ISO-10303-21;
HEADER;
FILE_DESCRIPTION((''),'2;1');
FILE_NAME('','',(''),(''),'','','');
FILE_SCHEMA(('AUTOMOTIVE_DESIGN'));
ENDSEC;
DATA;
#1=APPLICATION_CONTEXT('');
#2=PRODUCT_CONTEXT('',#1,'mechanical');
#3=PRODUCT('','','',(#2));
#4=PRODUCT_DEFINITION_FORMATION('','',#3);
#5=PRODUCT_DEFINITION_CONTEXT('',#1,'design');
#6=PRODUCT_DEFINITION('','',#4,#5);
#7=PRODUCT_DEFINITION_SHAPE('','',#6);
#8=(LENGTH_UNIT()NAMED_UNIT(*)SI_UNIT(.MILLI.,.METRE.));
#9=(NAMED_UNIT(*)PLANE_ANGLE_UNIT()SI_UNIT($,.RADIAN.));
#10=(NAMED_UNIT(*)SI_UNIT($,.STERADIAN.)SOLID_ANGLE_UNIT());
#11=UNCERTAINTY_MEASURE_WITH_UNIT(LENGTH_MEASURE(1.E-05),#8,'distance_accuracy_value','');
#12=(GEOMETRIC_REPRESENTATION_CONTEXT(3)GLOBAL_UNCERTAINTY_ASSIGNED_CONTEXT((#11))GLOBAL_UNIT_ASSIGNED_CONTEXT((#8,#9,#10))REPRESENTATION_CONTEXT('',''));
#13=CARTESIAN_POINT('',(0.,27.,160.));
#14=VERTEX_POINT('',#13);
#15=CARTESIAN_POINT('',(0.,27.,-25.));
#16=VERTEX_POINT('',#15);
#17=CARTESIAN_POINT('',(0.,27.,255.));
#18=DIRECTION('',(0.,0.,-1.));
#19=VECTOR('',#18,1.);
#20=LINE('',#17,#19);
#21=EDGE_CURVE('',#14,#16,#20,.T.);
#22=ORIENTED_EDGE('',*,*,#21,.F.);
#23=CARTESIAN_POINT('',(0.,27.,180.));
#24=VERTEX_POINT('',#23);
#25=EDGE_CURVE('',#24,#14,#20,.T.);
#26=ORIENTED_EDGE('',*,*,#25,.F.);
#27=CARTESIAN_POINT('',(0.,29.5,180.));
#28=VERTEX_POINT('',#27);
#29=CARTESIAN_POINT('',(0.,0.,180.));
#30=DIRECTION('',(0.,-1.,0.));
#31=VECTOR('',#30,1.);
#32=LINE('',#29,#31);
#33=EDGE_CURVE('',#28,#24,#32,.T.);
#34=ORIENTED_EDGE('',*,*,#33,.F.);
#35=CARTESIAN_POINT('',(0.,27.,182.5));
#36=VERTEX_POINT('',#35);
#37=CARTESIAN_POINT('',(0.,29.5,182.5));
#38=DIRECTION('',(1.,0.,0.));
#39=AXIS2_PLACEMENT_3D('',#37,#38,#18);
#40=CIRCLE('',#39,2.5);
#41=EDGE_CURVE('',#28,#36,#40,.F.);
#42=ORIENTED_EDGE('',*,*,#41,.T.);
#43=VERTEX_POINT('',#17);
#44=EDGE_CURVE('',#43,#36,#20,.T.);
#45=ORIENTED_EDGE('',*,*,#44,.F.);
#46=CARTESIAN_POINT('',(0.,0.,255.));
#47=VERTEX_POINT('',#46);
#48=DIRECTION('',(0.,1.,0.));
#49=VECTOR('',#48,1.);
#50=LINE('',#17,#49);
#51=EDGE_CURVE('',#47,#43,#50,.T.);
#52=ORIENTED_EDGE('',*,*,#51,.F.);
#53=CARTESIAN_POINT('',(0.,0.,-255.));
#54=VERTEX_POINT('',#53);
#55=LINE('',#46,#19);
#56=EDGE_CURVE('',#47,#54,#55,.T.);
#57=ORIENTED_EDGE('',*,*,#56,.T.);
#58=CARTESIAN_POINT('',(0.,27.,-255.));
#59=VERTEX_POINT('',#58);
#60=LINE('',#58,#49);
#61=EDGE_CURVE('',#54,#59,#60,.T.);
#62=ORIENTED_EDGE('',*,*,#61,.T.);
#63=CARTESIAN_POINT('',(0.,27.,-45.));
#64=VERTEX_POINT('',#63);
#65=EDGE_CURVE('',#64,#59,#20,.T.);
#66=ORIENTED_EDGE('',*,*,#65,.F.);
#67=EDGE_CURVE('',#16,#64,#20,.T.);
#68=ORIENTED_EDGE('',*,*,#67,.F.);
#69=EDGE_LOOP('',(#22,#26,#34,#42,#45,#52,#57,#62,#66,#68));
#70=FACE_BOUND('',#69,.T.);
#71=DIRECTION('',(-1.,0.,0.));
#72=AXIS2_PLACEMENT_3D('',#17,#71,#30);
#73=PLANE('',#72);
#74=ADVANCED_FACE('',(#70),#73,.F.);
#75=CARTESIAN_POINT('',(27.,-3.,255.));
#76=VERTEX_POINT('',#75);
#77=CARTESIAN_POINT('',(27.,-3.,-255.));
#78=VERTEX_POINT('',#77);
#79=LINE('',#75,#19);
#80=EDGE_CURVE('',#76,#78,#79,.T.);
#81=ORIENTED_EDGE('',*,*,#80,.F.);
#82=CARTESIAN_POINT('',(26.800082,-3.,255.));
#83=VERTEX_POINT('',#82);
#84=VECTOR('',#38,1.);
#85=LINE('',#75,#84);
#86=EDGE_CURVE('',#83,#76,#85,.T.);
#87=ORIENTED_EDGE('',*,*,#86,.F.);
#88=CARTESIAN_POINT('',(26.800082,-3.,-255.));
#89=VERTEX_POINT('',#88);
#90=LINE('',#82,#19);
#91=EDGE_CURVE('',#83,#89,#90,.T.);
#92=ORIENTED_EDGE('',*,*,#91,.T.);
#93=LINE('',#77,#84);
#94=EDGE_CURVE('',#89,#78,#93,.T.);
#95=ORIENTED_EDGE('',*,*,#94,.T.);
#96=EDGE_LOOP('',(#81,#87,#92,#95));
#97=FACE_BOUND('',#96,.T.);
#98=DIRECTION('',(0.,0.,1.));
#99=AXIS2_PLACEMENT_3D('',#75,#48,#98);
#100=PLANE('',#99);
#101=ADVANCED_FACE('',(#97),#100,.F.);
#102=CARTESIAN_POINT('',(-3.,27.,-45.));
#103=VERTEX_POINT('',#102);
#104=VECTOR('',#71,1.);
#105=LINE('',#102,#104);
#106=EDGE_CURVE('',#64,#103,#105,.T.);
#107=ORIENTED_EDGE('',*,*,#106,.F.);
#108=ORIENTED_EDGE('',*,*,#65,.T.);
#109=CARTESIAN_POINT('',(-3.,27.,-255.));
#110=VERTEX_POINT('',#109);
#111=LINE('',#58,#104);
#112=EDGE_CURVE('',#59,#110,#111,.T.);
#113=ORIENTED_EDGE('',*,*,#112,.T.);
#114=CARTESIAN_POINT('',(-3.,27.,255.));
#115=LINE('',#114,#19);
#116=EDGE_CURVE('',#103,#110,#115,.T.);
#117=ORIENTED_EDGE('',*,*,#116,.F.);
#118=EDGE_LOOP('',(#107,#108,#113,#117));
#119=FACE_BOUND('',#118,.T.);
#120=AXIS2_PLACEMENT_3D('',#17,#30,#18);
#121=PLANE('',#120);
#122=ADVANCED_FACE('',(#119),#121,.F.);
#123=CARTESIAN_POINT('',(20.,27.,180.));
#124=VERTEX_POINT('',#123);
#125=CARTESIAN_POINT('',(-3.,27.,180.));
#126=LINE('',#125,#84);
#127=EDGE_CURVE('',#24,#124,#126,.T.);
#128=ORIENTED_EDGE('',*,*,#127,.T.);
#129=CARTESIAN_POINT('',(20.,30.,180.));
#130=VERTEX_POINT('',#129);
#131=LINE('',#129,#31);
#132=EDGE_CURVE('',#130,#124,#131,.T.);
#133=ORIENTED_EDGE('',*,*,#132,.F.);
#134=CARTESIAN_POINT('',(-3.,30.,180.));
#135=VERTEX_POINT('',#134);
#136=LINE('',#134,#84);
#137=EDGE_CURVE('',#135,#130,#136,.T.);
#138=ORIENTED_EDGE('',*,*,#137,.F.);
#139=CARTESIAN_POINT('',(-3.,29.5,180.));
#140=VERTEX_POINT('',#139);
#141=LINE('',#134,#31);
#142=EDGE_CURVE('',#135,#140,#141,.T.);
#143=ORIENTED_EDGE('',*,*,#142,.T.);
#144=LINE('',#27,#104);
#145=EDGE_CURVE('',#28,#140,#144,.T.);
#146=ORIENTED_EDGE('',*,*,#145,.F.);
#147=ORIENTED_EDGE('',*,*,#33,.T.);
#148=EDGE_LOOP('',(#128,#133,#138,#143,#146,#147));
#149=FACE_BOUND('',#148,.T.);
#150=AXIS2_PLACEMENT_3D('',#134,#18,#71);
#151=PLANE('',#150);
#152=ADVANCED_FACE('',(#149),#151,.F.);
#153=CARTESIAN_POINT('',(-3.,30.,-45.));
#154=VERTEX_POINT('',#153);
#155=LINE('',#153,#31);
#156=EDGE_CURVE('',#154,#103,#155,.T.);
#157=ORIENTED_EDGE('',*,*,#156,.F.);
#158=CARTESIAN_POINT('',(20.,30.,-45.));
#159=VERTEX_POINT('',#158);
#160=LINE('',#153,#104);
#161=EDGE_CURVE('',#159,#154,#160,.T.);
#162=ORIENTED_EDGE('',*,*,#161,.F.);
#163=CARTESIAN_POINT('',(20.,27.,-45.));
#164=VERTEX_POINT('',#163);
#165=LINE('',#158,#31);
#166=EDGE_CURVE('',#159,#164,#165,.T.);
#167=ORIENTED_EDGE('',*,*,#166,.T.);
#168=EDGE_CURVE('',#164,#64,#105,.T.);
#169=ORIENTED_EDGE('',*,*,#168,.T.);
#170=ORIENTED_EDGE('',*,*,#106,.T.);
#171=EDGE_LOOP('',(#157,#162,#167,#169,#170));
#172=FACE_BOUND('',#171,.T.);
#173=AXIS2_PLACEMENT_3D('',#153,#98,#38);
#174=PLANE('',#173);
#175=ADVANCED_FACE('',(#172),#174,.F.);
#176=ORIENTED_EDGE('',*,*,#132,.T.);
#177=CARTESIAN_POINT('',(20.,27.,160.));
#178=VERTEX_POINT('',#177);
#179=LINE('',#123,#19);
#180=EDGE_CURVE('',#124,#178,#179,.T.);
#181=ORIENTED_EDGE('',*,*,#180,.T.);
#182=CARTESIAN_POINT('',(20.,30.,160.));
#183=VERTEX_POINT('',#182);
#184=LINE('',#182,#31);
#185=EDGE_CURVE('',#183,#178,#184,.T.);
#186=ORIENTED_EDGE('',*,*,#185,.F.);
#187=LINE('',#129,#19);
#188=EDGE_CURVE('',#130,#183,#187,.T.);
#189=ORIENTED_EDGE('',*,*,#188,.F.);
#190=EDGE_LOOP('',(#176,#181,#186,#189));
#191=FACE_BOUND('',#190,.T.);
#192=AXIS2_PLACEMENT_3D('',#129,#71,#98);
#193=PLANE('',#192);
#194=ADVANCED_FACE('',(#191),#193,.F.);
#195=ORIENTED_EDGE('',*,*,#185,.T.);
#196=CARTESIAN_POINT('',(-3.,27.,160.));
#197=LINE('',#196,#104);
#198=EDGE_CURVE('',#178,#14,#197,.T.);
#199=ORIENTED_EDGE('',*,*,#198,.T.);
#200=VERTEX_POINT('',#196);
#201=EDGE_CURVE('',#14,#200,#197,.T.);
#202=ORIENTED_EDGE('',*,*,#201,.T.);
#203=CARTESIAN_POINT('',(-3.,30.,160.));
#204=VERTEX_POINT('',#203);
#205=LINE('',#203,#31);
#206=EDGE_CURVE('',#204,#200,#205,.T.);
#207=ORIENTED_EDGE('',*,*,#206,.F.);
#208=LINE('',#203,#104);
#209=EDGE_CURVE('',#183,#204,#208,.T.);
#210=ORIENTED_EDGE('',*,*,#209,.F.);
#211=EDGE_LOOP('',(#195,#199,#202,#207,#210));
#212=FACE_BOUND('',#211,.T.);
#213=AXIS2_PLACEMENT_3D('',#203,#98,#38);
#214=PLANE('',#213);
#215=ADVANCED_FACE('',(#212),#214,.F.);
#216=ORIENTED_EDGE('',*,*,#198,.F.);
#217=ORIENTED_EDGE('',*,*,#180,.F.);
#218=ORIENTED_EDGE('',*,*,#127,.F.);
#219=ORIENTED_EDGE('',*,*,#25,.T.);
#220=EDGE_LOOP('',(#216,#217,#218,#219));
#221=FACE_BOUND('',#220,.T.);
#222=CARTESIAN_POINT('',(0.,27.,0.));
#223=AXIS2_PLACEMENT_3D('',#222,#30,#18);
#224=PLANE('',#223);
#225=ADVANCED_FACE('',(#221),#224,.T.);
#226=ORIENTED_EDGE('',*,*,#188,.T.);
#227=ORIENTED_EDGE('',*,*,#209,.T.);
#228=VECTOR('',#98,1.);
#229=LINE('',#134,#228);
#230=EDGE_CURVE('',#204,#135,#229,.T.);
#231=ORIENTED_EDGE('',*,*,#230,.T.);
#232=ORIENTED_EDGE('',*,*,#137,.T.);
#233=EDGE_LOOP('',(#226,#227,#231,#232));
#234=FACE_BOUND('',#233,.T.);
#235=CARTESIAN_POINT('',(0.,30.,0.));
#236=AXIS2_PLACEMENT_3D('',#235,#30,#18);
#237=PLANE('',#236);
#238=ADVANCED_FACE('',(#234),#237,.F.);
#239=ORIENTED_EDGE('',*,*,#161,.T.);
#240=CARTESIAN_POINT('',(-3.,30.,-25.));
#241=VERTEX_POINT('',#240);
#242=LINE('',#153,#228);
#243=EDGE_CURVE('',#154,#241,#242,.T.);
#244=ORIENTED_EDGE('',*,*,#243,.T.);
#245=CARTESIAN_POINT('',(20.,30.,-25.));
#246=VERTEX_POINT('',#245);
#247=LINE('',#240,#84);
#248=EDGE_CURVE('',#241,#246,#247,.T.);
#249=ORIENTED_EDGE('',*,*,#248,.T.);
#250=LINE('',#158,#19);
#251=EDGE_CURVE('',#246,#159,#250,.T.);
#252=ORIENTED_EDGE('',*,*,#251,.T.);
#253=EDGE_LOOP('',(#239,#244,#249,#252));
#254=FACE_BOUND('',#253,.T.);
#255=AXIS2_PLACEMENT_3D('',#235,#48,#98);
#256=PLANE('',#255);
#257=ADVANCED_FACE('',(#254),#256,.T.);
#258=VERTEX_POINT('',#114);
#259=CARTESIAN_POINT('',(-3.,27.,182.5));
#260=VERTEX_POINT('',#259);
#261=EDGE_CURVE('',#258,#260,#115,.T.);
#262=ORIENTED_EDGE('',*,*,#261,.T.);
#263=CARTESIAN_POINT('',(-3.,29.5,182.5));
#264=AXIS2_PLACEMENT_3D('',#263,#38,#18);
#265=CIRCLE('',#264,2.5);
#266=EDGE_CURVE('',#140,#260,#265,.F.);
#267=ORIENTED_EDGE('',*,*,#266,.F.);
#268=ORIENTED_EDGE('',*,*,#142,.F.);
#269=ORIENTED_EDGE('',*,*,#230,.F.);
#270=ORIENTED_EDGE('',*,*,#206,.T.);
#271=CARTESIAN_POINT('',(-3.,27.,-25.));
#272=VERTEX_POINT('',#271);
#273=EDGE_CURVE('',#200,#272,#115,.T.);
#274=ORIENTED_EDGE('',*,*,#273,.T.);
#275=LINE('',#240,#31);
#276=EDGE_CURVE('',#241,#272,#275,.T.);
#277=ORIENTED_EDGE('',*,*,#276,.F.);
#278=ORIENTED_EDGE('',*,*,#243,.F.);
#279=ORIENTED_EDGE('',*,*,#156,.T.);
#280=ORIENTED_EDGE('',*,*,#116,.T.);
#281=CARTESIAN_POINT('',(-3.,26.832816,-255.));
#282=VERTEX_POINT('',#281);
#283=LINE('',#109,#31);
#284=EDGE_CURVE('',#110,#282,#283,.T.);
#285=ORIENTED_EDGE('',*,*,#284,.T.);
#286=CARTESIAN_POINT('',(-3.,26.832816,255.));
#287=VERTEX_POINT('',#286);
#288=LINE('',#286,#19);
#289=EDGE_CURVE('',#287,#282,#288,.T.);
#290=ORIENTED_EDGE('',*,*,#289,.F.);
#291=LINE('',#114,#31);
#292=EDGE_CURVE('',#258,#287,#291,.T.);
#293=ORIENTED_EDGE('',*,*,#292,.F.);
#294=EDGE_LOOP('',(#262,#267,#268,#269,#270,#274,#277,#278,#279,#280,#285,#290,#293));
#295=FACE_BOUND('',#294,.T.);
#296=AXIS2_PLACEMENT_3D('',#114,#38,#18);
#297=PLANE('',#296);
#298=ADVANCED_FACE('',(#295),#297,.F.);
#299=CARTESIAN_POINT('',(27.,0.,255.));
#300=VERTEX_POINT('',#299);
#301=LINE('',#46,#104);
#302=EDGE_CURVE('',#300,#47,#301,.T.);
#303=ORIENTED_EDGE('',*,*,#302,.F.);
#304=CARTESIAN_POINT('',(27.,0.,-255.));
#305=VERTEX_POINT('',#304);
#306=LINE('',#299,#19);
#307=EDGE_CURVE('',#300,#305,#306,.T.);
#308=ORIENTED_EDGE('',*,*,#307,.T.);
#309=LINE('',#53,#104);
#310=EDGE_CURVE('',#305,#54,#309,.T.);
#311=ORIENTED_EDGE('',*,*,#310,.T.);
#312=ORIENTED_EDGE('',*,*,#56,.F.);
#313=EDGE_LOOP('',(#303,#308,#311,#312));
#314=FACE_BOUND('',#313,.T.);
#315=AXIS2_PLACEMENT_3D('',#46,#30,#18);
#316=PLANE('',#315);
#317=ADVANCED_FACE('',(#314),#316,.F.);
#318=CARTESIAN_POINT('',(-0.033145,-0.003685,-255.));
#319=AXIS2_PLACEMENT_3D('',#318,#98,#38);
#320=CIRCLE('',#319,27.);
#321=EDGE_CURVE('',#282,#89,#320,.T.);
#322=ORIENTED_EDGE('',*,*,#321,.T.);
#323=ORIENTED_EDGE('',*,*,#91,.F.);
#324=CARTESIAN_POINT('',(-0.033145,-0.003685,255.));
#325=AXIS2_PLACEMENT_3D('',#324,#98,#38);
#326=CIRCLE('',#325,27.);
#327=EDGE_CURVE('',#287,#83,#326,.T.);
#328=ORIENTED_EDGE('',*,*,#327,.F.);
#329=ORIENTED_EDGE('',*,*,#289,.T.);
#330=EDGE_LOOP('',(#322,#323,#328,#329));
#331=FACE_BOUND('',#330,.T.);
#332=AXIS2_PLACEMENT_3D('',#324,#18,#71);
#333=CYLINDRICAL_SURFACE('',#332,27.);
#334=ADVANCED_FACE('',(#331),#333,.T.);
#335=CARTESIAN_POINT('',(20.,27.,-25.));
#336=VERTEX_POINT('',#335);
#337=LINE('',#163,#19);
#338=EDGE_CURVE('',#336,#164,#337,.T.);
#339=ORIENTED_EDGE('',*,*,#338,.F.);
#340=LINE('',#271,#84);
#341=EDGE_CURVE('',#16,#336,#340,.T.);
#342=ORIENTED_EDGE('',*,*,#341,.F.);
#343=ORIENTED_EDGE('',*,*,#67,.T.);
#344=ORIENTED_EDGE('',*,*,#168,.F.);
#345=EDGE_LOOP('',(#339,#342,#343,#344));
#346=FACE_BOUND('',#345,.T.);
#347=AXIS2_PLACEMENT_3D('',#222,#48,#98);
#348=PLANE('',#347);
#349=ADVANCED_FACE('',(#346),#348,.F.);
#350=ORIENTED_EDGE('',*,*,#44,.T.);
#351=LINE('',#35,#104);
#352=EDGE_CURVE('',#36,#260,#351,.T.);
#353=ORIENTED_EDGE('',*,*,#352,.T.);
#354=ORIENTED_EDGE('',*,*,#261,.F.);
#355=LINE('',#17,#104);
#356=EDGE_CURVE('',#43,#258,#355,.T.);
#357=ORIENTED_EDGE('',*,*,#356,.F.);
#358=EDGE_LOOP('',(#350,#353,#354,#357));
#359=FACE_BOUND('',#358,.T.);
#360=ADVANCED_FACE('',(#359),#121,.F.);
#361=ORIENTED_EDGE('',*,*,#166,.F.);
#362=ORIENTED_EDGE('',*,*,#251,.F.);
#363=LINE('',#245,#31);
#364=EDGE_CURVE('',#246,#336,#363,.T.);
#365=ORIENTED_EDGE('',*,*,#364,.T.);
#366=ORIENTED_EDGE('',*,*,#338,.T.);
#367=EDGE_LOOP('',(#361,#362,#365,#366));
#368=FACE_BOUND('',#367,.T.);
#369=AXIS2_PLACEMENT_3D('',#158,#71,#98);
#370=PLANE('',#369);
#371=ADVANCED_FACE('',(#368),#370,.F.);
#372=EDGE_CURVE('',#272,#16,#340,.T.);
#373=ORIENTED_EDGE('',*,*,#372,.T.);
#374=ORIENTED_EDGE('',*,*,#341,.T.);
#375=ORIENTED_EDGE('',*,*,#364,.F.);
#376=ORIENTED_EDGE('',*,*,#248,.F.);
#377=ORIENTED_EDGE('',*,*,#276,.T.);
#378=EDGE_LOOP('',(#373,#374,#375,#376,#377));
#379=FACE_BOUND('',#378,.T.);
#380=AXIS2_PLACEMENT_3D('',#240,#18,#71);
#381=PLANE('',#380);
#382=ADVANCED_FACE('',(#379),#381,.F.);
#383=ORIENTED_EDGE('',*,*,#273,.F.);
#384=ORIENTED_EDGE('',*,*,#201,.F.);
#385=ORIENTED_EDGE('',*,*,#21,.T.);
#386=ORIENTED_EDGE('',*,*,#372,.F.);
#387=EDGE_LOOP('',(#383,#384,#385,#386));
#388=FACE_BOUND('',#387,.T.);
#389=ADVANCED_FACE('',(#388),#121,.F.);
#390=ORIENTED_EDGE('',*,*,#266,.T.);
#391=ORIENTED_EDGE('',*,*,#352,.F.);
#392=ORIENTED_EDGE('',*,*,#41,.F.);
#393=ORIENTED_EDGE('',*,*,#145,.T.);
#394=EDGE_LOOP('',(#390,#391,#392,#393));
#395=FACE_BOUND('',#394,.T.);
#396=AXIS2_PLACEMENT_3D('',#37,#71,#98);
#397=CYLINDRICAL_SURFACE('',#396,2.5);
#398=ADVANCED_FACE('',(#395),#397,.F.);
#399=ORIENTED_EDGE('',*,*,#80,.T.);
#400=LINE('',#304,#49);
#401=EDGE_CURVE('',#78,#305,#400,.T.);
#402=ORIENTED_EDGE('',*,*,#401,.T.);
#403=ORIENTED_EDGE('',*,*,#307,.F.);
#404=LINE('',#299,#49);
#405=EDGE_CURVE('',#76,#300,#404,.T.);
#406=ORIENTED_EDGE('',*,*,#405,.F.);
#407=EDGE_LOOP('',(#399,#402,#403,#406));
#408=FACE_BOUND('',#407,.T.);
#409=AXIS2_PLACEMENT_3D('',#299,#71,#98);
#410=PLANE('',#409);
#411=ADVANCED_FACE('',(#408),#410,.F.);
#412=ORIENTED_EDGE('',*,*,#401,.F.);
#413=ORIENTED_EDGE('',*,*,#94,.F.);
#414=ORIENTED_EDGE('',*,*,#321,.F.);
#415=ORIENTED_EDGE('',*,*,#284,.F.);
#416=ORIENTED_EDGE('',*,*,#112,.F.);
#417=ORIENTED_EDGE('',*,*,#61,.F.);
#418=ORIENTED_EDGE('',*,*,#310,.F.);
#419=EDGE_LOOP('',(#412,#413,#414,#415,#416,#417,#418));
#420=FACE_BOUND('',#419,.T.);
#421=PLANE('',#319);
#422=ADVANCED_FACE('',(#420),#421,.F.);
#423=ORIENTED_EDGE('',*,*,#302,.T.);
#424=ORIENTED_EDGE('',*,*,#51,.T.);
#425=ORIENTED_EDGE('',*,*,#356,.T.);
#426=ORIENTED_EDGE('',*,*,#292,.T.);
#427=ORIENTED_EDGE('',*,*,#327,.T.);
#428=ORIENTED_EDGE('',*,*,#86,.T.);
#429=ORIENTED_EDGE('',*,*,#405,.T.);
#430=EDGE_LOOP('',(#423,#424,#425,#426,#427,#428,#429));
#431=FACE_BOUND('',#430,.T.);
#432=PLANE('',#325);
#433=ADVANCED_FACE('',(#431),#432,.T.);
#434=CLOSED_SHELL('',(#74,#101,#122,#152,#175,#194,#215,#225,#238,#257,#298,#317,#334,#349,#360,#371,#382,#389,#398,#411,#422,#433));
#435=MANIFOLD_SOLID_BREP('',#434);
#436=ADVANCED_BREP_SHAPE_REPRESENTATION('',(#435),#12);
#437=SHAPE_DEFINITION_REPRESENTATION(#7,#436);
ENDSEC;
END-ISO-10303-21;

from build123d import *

# Parameters (mm, degrees)
BOSS_EXTRUDE1_DEPTH = 255
SKETCH5_W           = 23
SKETCH5_H           = 20
BOSS_EXTRUDE2_DEPTH = 3
BOSS_EXTRUDE3_DEPTH = 3


with BuildPart() as part:
    # Sketch4 → Boss-Extrude1 (new, symmetric)
    with BuildSketch(Plane.XY):
        with BuildLine():
            Line((0, 0), (27, 0))
            Line((27, 0), (27, -3))
            Line((27, -3), (26.800082477, -3))
            ThreePointArc((26.800082477, -3), (-19.135504983, -19.08508544), (-3, 26.83281573))
            Line((-3, 26.83281573), (-3, 27))
            Line((-3, 27), (0, 27))
            Line((0, 27), (0, 0))
        make_face()
    extrude(amount=BOSS_EXTRUDE1_DEPTH, both=True)

    # Sketch5 → Boss-Extrude2 (add)
    with BuildSketch(Plane(origin=(0, 27, 0), x_dir=(1, 0, 0), z_dir=(0, 1, 0))):
        with Locations((8.5, -170)):
            Rectangle(SKETCH5_W, SKETCH5_H)
        with Locations((8.5, 35)):
            Rectangle(SKETCH5_W, SKETCH5_H)
    extrude(amount=BOSS_EXTRUDE2_DEPTH)

    # Sketch6 → Boss-Extrude3 (add)
    with BuildSketch(Plane(origin=(-3, 27, 180), x_dir=(0, 0, -1), z_dir=(1, 0, 0))):
        with BuildLine():
            ThreePointArc((0, 2.5), (-0.732233047, 0.732233047), (-2.5, 0))
            Line((-2.5, 0), (0, 0))
            Line((0, 0), (0, 2.5))
        make_face()
    extrude(amount=BOSS_EXTRUDE3_DEPTH)


solid = part.part
